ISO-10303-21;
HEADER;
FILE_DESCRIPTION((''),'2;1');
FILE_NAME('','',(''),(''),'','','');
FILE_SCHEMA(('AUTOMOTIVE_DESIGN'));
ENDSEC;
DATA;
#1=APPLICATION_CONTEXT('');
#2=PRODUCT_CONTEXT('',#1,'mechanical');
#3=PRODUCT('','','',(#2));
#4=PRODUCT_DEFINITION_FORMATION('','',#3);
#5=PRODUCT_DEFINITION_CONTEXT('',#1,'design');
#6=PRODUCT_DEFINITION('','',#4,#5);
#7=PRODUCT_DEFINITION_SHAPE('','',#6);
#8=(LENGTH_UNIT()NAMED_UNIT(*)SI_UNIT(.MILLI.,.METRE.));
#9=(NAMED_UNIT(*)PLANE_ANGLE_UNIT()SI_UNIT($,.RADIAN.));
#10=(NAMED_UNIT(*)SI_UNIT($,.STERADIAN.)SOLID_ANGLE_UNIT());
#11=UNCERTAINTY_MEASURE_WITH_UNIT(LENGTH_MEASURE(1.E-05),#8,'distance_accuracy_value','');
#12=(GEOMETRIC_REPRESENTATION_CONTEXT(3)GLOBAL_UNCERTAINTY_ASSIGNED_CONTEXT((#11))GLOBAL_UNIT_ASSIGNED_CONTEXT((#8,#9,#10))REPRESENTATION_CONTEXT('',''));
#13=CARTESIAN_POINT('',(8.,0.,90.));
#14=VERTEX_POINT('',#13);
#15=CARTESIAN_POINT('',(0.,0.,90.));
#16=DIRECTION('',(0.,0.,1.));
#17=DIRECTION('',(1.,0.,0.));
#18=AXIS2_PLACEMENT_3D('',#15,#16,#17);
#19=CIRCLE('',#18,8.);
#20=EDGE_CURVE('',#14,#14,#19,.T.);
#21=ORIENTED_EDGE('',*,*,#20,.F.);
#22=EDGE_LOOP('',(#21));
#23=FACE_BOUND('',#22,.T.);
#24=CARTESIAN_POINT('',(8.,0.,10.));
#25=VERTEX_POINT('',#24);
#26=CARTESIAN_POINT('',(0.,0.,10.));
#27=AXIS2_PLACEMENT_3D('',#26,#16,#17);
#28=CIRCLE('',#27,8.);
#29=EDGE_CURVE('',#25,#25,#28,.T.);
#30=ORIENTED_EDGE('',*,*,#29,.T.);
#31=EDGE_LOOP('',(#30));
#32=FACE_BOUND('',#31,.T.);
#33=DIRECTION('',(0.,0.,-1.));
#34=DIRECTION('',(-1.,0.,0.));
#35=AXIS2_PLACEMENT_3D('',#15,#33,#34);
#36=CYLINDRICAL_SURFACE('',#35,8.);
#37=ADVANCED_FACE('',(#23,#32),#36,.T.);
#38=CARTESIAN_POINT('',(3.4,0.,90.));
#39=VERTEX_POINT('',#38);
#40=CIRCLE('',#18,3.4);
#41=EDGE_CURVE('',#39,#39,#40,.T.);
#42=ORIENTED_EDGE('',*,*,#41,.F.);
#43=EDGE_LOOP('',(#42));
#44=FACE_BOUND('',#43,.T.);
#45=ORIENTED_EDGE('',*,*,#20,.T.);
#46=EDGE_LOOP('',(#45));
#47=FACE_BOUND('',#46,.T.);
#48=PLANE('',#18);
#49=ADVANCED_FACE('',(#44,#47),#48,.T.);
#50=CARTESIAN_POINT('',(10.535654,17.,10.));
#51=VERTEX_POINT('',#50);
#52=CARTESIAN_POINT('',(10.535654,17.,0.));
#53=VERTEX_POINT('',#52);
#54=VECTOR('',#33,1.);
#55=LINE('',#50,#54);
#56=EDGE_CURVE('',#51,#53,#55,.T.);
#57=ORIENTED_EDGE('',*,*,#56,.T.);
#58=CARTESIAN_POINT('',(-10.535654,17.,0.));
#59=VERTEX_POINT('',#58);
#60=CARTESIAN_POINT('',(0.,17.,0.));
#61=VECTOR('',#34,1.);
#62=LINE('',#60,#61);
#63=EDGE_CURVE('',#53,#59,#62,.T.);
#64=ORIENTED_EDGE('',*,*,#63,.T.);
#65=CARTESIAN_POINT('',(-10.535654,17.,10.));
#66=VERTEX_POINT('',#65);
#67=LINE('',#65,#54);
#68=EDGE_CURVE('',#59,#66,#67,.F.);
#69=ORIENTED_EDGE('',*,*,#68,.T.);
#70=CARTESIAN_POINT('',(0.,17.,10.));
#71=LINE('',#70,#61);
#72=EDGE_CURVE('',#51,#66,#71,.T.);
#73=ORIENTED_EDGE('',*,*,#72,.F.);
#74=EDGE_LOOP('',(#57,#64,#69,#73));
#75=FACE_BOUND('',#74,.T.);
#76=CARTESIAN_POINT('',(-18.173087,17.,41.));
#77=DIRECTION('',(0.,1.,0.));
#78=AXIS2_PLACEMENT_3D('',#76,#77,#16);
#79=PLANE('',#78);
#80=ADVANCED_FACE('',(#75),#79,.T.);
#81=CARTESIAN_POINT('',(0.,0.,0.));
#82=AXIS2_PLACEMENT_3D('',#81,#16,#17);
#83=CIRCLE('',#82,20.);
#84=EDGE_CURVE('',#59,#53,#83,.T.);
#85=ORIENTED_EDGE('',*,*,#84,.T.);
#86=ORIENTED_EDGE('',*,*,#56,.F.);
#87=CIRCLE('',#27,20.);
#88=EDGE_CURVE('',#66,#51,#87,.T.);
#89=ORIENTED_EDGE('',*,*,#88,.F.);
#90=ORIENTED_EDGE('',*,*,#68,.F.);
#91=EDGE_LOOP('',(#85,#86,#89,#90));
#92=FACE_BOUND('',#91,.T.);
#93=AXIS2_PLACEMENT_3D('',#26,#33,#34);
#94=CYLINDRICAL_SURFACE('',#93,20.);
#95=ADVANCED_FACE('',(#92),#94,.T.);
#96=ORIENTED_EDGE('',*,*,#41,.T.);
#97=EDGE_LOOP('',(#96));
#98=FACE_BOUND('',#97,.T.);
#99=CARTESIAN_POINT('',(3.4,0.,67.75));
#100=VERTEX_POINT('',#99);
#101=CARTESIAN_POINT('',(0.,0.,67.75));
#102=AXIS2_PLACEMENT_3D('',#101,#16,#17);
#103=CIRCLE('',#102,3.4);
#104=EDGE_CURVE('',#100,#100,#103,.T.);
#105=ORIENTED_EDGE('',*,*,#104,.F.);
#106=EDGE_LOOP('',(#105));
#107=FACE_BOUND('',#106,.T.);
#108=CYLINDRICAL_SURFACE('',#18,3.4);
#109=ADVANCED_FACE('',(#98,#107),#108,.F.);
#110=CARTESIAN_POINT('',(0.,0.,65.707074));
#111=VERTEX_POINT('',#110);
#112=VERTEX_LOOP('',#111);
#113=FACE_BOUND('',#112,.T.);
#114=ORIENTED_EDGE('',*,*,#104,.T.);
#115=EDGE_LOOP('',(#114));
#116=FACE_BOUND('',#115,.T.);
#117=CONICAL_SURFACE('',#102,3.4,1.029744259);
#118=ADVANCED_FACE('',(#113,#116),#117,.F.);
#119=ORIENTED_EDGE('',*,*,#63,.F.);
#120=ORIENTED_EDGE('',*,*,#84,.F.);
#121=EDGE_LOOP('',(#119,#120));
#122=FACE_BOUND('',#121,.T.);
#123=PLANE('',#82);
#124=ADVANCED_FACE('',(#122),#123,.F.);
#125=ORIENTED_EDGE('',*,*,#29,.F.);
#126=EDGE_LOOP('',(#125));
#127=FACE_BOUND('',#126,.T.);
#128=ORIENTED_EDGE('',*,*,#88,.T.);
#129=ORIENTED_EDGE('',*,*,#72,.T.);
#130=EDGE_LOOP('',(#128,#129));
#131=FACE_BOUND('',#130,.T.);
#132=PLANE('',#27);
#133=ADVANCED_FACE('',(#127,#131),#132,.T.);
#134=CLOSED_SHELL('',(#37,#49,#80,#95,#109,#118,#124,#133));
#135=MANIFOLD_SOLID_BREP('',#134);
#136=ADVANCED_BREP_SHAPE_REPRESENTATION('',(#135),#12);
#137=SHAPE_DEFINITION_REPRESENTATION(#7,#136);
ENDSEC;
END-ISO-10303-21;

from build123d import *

# Parameters (mm, degrees)
ESQUISSE1_R             = 20
BOSS_EXTRU_1_DEPTH      = 10
ESQUISSE2_R             = 8
BOSS_EXTRU_2_DEPTH      = 80
ESQUISSE3_W             = 36.346174344
ESQUISSE3_H             = 6
ENL_V_MAT_EXTRU_3_DEPTH = 41


with BuildPart() as part:
    # Esquisse1 → Boss.-Extru.1 (new body)
    with BuildSketch(Plane.XY):
        Circle(ESQUISSE1_R)
    extrude(amount=BOSS_EXTRU_1_DEPTH)

    # Esquisse2 → Boss.-Extru.2 (add)
    with BuildSketch(Plane.XY.offset(10)):
        Circle(ESQUISSE2_R)
    extrude(amount=BOSS_EXTRU_2_DEPTH)

    # Esquisse3 → Enlèv. mat.-Extru.3 (cut)
    with BuildSketch(Plane.XY):
        with Locations((0, 20)):
            Rectangle(ESQUISSE3_W, ESQUISSE3_H)
    extrude(amount=ENL_V_MAT_EXTRU_3_DEPTH, mode=Mode.SUBTRACT)

    # Esquisse5 → Trou taraudé M81 (revolve, cut)
    with BuildSketch(Plane(origin=(0, 0, 90), x_dir=(0, -1, 0), z_dir=(1, 0, 0))):
        Polygon((0, 0), (0, 24.292926105), (3.4, 22.25), (3.4, 0), align=None)
    revolve(axis=Axis((0, 0, 96.35), (0, 0, -1)), mode=Mode.SUBTRACT)


solid = part.part
